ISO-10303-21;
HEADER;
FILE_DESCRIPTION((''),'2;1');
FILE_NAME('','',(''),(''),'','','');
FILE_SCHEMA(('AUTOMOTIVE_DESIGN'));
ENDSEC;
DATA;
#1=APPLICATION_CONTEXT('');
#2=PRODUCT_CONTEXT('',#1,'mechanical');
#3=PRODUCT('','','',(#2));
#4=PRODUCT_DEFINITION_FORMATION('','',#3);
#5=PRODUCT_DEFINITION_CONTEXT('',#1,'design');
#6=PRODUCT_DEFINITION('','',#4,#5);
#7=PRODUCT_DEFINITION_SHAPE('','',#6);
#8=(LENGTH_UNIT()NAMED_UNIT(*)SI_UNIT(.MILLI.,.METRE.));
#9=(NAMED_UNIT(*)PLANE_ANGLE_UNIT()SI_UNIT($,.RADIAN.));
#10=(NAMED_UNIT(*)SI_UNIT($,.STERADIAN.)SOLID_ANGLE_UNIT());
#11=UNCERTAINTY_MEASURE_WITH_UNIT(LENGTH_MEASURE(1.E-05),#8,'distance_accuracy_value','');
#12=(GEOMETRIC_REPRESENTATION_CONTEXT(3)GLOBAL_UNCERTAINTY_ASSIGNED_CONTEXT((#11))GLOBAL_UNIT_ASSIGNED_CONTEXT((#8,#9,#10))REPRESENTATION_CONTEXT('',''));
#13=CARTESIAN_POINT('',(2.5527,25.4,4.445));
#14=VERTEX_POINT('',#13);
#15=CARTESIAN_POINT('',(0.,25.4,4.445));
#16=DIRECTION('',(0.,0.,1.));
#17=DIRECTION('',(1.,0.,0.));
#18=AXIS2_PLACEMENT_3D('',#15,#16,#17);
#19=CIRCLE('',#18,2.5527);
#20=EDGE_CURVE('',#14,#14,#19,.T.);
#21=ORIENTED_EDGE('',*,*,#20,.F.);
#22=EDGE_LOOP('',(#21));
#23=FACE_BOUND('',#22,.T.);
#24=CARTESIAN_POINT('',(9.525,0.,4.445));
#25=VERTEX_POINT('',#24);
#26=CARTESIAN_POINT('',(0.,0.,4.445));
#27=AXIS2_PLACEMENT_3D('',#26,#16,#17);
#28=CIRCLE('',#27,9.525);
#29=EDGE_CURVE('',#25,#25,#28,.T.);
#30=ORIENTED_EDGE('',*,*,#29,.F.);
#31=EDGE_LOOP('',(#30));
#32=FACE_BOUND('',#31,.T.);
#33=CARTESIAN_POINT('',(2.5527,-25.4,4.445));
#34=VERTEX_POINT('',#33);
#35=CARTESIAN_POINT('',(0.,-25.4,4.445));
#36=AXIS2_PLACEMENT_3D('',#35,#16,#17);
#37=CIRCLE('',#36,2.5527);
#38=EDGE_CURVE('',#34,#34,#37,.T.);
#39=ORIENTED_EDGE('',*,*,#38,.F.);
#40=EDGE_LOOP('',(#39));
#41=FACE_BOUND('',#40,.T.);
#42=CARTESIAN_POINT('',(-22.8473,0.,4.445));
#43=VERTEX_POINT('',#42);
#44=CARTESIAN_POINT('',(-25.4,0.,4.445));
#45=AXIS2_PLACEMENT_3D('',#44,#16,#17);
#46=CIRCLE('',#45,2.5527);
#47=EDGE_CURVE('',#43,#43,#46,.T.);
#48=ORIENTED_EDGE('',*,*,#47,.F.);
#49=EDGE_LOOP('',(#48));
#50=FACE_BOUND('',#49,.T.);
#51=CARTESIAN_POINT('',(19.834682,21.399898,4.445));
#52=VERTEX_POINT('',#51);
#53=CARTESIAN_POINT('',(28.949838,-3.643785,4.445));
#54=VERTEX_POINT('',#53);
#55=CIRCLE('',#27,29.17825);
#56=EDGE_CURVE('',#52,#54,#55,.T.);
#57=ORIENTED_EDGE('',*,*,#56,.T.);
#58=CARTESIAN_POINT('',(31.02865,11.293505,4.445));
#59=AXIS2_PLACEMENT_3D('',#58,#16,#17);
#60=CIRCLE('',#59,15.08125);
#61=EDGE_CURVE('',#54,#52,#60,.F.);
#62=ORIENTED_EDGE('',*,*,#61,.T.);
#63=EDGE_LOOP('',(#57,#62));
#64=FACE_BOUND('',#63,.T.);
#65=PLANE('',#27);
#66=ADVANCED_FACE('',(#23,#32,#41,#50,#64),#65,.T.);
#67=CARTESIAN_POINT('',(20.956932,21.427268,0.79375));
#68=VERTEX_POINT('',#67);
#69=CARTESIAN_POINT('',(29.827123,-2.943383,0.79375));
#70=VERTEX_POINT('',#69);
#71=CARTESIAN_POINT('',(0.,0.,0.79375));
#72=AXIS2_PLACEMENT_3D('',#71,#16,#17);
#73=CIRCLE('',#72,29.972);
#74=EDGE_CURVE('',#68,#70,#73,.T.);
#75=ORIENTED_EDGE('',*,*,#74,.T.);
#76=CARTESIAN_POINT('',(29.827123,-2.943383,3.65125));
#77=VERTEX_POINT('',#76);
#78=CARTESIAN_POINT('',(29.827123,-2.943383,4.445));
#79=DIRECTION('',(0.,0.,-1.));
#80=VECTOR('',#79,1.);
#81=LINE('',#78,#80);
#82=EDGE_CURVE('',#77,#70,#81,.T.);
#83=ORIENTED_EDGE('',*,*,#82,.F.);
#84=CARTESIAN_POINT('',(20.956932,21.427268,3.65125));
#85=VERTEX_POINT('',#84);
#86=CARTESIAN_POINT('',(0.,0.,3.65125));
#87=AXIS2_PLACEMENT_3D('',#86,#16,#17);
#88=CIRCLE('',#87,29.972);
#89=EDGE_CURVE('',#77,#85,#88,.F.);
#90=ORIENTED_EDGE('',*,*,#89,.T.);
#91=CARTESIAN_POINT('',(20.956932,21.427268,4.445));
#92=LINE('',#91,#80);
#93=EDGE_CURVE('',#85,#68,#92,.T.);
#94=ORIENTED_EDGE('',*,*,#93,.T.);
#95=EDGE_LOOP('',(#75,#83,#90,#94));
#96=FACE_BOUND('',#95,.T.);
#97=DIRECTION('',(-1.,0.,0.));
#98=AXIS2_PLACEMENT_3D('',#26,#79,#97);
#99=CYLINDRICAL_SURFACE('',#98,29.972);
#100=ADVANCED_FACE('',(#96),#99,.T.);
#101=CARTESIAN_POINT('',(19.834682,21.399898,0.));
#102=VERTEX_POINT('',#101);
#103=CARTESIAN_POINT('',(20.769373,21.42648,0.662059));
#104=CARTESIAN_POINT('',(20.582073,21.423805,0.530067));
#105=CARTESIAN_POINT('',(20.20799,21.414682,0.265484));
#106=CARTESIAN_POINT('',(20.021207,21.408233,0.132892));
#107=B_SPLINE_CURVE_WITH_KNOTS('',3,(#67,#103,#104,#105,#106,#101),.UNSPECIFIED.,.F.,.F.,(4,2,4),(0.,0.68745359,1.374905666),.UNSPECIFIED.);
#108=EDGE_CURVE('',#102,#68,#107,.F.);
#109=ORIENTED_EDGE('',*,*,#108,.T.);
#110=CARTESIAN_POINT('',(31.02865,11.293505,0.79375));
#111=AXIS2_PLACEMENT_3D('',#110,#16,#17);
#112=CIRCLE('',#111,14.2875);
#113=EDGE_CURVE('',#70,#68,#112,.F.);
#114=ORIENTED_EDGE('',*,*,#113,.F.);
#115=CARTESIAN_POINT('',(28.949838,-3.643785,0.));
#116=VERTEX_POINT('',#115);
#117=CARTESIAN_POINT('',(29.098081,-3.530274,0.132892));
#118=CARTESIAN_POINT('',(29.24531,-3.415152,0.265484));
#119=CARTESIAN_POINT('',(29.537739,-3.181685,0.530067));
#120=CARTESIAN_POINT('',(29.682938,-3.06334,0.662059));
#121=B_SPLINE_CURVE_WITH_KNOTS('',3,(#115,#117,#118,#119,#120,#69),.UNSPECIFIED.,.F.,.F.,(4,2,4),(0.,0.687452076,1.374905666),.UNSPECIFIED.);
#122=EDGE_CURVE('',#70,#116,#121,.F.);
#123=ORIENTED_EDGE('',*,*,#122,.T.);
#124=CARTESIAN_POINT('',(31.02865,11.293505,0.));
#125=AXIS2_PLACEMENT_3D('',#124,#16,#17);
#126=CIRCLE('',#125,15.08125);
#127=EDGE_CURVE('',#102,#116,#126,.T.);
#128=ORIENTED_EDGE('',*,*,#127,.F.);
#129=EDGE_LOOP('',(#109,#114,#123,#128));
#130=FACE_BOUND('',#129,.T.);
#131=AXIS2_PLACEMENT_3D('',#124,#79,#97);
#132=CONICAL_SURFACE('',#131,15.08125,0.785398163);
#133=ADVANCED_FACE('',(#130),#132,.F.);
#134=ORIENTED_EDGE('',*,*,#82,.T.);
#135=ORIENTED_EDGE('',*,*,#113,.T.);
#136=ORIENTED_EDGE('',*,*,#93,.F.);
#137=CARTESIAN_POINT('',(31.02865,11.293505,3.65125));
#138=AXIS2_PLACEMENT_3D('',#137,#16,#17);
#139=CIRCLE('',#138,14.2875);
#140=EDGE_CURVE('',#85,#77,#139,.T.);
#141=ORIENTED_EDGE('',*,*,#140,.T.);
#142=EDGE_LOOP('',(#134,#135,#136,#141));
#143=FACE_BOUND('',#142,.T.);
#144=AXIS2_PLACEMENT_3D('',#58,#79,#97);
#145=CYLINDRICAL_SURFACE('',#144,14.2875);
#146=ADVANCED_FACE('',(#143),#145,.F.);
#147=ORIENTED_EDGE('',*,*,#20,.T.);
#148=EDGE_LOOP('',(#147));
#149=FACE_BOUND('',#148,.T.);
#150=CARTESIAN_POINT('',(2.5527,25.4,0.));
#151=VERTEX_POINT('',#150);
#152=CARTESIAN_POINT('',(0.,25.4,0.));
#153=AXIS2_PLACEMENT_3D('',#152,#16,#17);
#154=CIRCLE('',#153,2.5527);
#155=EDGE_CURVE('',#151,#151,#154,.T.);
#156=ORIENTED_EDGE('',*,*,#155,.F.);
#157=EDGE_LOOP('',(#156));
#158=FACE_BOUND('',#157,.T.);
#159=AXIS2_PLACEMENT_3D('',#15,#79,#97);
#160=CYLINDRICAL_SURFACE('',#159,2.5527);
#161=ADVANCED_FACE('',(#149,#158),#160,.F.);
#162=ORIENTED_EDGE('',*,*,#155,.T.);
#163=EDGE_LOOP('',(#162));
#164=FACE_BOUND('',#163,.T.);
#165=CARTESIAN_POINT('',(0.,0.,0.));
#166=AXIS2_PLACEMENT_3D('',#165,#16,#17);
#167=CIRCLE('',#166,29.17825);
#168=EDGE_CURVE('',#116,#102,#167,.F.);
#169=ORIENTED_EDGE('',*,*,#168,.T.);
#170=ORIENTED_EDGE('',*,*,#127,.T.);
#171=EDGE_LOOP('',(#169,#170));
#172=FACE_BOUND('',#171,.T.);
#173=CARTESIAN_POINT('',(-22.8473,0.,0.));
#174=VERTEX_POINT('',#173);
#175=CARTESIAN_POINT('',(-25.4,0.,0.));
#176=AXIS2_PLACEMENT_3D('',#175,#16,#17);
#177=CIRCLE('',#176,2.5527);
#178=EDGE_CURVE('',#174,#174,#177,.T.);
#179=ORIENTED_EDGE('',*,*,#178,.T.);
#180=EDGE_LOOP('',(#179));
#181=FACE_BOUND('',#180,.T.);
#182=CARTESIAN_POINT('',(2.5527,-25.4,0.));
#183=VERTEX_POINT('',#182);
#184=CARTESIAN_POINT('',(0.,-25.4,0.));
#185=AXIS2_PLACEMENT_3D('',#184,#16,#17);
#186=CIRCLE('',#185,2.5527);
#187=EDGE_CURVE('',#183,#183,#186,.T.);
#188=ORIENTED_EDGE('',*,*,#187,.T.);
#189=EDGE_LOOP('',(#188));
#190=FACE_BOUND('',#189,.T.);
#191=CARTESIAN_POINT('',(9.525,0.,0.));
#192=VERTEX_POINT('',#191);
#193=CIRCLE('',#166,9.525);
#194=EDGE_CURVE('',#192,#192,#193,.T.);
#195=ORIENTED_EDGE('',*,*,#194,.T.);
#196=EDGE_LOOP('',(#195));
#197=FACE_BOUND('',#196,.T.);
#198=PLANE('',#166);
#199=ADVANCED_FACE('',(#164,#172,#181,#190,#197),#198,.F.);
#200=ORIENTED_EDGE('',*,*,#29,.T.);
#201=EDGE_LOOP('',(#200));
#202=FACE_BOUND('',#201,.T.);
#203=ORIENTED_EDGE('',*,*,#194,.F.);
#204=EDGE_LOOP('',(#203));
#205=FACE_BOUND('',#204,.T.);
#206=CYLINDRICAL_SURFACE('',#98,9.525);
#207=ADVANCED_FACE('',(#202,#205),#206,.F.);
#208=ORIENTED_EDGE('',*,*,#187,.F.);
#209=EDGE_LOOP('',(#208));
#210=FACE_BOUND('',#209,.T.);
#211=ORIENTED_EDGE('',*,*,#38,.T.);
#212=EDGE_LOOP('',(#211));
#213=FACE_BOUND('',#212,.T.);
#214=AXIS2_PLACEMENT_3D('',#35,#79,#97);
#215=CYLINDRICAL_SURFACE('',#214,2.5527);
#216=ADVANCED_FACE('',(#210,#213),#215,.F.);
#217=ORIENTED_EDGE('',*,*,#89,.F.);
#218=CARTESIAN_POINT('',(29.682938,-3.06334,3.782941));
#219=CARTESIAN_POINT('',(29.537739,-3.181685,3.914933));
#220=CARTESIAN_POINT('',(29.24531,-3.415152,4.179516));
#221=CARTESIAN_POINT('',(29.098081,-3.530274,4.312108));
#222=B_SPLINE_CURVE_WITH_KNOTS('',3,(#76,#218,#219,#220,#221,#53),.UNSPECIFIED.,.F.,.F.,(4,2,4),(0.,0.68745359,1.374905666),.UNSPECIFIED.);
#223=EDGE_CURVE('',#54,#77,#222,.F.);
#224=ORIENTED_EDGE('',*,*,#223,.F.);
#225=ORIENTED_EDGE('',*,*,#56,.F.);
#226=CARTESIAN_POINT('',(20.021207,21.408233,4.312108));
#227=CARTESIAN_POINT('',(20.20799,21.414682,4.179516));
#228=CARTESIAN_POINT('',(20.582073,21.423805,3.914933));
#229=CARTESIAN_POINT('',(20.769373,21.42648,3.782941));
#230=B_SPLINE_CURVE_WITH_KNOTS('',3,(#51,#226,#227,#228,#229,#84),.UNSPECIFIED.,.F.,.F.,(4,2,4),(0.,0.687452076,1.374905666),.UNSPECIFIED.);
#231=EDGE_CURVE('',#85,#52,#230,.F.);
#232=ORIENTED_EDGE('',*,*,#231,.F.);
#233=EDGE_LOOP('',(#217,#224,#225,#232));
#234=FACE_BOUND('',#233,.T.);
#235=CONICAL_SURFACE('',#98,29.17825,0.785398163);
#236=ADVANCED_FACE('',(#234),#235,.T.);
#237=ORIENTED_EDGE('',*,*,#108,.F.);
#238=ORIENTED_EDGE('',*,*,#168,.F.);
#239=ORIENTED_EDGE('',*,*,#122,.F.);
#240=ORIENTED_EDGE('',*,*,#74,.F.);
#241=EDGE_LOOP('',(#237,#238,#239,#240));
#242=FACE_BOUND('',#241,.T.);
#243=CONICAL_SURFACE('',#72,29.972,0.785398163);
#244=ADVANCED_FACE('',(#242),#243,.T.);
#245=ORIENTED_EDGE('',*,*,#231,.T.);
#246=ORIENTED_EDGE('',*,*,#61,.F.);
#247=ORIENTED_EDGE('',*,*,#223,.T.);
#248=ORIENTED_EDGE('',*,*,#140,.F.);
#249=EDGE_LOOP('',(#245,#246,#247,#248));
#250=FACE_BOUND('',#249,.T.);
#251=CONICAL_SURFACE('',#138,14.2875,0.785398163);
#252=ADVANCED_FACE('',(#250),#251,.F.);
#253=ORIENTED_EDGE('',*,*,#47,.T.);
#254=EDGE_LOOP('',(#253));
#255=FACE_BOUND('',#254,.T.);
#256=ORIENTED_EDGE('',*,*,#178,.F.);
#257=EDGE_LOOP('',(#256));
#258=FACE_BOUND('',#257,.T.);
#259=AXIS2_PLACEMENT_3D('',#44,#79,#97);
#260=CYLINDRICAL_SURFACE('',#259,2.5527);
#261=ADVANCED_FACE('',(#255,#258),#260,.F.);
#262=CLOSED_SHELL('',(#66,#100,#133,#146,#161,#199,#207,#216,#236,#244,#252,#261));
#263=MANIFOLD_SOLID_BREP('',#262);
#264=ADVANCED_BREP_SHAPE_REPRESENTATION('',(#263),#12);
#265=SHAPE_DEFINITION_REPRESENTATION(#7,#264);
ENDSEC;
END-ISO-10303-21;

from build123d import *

# Parameters (mm, degrees)
SKETCH1_R           = 2.5527
SKETCH1_R_2         = 9.525
BOSS_EXTRUDE1_DEPTH = 4.445
CHAMFER1_SIZE       = 0.79375
CHAMFER2_SIZE       = 0.79375


with BuildPart() as part:
    # Sketch1 → Boss-Extrude1 (new body)
    with BuildSketch(Plane.XY):
        with BuildLine():
            ThreePointArc((29.827123218, -2.94338318), (17.602792019, 6.406892335), (20.956931757, 21.427267566))
            ThreePointArc((20.956931757, 21.427267566), (-28.16446723, -10.251027736), (29.827123218, -2.94338318))
        make_face()
        with Locations((0, -25.4)):
            Circle(SKETCH1_R, mode=Mode.SUBTRACT)
        with Locations((-25.4, 0)):
            Circle(SKETCH1_R, mode=Mode.SUBTRACT)
        Circle(SKETCH1_R_2, mode=Mode.SUBTRACT)
        with Locations((0, 25.4)):
            Circle(SKETCH1_R, mode=Mode.SUBTRACT)
    extrude(amount=BOSS_EXTRUDE1_DEPTH)

    # Chamfer1
    chamfer1_edges = [part.edges().sort_by_distance(p)[0] for p in [
        (17.602792019, 6.406892335, 4.445),
        (-28.16446723, -10.251027736, 4.445),
    ]]
    chamfer(chamfer1_edges, length=CHAMFER1_SIZE)

    # Chamfer2
    chamfer2_edges = [part.edges().sort_by_distance(p)[0] for p in [
        (-28.16446723, -10.251027736, 0),
        (17.602792019, 6.406892335, 0),
    ]]
    chamfer(chamfer2_edges, length=CHAMFER2_SIZE)


solid = part.part
